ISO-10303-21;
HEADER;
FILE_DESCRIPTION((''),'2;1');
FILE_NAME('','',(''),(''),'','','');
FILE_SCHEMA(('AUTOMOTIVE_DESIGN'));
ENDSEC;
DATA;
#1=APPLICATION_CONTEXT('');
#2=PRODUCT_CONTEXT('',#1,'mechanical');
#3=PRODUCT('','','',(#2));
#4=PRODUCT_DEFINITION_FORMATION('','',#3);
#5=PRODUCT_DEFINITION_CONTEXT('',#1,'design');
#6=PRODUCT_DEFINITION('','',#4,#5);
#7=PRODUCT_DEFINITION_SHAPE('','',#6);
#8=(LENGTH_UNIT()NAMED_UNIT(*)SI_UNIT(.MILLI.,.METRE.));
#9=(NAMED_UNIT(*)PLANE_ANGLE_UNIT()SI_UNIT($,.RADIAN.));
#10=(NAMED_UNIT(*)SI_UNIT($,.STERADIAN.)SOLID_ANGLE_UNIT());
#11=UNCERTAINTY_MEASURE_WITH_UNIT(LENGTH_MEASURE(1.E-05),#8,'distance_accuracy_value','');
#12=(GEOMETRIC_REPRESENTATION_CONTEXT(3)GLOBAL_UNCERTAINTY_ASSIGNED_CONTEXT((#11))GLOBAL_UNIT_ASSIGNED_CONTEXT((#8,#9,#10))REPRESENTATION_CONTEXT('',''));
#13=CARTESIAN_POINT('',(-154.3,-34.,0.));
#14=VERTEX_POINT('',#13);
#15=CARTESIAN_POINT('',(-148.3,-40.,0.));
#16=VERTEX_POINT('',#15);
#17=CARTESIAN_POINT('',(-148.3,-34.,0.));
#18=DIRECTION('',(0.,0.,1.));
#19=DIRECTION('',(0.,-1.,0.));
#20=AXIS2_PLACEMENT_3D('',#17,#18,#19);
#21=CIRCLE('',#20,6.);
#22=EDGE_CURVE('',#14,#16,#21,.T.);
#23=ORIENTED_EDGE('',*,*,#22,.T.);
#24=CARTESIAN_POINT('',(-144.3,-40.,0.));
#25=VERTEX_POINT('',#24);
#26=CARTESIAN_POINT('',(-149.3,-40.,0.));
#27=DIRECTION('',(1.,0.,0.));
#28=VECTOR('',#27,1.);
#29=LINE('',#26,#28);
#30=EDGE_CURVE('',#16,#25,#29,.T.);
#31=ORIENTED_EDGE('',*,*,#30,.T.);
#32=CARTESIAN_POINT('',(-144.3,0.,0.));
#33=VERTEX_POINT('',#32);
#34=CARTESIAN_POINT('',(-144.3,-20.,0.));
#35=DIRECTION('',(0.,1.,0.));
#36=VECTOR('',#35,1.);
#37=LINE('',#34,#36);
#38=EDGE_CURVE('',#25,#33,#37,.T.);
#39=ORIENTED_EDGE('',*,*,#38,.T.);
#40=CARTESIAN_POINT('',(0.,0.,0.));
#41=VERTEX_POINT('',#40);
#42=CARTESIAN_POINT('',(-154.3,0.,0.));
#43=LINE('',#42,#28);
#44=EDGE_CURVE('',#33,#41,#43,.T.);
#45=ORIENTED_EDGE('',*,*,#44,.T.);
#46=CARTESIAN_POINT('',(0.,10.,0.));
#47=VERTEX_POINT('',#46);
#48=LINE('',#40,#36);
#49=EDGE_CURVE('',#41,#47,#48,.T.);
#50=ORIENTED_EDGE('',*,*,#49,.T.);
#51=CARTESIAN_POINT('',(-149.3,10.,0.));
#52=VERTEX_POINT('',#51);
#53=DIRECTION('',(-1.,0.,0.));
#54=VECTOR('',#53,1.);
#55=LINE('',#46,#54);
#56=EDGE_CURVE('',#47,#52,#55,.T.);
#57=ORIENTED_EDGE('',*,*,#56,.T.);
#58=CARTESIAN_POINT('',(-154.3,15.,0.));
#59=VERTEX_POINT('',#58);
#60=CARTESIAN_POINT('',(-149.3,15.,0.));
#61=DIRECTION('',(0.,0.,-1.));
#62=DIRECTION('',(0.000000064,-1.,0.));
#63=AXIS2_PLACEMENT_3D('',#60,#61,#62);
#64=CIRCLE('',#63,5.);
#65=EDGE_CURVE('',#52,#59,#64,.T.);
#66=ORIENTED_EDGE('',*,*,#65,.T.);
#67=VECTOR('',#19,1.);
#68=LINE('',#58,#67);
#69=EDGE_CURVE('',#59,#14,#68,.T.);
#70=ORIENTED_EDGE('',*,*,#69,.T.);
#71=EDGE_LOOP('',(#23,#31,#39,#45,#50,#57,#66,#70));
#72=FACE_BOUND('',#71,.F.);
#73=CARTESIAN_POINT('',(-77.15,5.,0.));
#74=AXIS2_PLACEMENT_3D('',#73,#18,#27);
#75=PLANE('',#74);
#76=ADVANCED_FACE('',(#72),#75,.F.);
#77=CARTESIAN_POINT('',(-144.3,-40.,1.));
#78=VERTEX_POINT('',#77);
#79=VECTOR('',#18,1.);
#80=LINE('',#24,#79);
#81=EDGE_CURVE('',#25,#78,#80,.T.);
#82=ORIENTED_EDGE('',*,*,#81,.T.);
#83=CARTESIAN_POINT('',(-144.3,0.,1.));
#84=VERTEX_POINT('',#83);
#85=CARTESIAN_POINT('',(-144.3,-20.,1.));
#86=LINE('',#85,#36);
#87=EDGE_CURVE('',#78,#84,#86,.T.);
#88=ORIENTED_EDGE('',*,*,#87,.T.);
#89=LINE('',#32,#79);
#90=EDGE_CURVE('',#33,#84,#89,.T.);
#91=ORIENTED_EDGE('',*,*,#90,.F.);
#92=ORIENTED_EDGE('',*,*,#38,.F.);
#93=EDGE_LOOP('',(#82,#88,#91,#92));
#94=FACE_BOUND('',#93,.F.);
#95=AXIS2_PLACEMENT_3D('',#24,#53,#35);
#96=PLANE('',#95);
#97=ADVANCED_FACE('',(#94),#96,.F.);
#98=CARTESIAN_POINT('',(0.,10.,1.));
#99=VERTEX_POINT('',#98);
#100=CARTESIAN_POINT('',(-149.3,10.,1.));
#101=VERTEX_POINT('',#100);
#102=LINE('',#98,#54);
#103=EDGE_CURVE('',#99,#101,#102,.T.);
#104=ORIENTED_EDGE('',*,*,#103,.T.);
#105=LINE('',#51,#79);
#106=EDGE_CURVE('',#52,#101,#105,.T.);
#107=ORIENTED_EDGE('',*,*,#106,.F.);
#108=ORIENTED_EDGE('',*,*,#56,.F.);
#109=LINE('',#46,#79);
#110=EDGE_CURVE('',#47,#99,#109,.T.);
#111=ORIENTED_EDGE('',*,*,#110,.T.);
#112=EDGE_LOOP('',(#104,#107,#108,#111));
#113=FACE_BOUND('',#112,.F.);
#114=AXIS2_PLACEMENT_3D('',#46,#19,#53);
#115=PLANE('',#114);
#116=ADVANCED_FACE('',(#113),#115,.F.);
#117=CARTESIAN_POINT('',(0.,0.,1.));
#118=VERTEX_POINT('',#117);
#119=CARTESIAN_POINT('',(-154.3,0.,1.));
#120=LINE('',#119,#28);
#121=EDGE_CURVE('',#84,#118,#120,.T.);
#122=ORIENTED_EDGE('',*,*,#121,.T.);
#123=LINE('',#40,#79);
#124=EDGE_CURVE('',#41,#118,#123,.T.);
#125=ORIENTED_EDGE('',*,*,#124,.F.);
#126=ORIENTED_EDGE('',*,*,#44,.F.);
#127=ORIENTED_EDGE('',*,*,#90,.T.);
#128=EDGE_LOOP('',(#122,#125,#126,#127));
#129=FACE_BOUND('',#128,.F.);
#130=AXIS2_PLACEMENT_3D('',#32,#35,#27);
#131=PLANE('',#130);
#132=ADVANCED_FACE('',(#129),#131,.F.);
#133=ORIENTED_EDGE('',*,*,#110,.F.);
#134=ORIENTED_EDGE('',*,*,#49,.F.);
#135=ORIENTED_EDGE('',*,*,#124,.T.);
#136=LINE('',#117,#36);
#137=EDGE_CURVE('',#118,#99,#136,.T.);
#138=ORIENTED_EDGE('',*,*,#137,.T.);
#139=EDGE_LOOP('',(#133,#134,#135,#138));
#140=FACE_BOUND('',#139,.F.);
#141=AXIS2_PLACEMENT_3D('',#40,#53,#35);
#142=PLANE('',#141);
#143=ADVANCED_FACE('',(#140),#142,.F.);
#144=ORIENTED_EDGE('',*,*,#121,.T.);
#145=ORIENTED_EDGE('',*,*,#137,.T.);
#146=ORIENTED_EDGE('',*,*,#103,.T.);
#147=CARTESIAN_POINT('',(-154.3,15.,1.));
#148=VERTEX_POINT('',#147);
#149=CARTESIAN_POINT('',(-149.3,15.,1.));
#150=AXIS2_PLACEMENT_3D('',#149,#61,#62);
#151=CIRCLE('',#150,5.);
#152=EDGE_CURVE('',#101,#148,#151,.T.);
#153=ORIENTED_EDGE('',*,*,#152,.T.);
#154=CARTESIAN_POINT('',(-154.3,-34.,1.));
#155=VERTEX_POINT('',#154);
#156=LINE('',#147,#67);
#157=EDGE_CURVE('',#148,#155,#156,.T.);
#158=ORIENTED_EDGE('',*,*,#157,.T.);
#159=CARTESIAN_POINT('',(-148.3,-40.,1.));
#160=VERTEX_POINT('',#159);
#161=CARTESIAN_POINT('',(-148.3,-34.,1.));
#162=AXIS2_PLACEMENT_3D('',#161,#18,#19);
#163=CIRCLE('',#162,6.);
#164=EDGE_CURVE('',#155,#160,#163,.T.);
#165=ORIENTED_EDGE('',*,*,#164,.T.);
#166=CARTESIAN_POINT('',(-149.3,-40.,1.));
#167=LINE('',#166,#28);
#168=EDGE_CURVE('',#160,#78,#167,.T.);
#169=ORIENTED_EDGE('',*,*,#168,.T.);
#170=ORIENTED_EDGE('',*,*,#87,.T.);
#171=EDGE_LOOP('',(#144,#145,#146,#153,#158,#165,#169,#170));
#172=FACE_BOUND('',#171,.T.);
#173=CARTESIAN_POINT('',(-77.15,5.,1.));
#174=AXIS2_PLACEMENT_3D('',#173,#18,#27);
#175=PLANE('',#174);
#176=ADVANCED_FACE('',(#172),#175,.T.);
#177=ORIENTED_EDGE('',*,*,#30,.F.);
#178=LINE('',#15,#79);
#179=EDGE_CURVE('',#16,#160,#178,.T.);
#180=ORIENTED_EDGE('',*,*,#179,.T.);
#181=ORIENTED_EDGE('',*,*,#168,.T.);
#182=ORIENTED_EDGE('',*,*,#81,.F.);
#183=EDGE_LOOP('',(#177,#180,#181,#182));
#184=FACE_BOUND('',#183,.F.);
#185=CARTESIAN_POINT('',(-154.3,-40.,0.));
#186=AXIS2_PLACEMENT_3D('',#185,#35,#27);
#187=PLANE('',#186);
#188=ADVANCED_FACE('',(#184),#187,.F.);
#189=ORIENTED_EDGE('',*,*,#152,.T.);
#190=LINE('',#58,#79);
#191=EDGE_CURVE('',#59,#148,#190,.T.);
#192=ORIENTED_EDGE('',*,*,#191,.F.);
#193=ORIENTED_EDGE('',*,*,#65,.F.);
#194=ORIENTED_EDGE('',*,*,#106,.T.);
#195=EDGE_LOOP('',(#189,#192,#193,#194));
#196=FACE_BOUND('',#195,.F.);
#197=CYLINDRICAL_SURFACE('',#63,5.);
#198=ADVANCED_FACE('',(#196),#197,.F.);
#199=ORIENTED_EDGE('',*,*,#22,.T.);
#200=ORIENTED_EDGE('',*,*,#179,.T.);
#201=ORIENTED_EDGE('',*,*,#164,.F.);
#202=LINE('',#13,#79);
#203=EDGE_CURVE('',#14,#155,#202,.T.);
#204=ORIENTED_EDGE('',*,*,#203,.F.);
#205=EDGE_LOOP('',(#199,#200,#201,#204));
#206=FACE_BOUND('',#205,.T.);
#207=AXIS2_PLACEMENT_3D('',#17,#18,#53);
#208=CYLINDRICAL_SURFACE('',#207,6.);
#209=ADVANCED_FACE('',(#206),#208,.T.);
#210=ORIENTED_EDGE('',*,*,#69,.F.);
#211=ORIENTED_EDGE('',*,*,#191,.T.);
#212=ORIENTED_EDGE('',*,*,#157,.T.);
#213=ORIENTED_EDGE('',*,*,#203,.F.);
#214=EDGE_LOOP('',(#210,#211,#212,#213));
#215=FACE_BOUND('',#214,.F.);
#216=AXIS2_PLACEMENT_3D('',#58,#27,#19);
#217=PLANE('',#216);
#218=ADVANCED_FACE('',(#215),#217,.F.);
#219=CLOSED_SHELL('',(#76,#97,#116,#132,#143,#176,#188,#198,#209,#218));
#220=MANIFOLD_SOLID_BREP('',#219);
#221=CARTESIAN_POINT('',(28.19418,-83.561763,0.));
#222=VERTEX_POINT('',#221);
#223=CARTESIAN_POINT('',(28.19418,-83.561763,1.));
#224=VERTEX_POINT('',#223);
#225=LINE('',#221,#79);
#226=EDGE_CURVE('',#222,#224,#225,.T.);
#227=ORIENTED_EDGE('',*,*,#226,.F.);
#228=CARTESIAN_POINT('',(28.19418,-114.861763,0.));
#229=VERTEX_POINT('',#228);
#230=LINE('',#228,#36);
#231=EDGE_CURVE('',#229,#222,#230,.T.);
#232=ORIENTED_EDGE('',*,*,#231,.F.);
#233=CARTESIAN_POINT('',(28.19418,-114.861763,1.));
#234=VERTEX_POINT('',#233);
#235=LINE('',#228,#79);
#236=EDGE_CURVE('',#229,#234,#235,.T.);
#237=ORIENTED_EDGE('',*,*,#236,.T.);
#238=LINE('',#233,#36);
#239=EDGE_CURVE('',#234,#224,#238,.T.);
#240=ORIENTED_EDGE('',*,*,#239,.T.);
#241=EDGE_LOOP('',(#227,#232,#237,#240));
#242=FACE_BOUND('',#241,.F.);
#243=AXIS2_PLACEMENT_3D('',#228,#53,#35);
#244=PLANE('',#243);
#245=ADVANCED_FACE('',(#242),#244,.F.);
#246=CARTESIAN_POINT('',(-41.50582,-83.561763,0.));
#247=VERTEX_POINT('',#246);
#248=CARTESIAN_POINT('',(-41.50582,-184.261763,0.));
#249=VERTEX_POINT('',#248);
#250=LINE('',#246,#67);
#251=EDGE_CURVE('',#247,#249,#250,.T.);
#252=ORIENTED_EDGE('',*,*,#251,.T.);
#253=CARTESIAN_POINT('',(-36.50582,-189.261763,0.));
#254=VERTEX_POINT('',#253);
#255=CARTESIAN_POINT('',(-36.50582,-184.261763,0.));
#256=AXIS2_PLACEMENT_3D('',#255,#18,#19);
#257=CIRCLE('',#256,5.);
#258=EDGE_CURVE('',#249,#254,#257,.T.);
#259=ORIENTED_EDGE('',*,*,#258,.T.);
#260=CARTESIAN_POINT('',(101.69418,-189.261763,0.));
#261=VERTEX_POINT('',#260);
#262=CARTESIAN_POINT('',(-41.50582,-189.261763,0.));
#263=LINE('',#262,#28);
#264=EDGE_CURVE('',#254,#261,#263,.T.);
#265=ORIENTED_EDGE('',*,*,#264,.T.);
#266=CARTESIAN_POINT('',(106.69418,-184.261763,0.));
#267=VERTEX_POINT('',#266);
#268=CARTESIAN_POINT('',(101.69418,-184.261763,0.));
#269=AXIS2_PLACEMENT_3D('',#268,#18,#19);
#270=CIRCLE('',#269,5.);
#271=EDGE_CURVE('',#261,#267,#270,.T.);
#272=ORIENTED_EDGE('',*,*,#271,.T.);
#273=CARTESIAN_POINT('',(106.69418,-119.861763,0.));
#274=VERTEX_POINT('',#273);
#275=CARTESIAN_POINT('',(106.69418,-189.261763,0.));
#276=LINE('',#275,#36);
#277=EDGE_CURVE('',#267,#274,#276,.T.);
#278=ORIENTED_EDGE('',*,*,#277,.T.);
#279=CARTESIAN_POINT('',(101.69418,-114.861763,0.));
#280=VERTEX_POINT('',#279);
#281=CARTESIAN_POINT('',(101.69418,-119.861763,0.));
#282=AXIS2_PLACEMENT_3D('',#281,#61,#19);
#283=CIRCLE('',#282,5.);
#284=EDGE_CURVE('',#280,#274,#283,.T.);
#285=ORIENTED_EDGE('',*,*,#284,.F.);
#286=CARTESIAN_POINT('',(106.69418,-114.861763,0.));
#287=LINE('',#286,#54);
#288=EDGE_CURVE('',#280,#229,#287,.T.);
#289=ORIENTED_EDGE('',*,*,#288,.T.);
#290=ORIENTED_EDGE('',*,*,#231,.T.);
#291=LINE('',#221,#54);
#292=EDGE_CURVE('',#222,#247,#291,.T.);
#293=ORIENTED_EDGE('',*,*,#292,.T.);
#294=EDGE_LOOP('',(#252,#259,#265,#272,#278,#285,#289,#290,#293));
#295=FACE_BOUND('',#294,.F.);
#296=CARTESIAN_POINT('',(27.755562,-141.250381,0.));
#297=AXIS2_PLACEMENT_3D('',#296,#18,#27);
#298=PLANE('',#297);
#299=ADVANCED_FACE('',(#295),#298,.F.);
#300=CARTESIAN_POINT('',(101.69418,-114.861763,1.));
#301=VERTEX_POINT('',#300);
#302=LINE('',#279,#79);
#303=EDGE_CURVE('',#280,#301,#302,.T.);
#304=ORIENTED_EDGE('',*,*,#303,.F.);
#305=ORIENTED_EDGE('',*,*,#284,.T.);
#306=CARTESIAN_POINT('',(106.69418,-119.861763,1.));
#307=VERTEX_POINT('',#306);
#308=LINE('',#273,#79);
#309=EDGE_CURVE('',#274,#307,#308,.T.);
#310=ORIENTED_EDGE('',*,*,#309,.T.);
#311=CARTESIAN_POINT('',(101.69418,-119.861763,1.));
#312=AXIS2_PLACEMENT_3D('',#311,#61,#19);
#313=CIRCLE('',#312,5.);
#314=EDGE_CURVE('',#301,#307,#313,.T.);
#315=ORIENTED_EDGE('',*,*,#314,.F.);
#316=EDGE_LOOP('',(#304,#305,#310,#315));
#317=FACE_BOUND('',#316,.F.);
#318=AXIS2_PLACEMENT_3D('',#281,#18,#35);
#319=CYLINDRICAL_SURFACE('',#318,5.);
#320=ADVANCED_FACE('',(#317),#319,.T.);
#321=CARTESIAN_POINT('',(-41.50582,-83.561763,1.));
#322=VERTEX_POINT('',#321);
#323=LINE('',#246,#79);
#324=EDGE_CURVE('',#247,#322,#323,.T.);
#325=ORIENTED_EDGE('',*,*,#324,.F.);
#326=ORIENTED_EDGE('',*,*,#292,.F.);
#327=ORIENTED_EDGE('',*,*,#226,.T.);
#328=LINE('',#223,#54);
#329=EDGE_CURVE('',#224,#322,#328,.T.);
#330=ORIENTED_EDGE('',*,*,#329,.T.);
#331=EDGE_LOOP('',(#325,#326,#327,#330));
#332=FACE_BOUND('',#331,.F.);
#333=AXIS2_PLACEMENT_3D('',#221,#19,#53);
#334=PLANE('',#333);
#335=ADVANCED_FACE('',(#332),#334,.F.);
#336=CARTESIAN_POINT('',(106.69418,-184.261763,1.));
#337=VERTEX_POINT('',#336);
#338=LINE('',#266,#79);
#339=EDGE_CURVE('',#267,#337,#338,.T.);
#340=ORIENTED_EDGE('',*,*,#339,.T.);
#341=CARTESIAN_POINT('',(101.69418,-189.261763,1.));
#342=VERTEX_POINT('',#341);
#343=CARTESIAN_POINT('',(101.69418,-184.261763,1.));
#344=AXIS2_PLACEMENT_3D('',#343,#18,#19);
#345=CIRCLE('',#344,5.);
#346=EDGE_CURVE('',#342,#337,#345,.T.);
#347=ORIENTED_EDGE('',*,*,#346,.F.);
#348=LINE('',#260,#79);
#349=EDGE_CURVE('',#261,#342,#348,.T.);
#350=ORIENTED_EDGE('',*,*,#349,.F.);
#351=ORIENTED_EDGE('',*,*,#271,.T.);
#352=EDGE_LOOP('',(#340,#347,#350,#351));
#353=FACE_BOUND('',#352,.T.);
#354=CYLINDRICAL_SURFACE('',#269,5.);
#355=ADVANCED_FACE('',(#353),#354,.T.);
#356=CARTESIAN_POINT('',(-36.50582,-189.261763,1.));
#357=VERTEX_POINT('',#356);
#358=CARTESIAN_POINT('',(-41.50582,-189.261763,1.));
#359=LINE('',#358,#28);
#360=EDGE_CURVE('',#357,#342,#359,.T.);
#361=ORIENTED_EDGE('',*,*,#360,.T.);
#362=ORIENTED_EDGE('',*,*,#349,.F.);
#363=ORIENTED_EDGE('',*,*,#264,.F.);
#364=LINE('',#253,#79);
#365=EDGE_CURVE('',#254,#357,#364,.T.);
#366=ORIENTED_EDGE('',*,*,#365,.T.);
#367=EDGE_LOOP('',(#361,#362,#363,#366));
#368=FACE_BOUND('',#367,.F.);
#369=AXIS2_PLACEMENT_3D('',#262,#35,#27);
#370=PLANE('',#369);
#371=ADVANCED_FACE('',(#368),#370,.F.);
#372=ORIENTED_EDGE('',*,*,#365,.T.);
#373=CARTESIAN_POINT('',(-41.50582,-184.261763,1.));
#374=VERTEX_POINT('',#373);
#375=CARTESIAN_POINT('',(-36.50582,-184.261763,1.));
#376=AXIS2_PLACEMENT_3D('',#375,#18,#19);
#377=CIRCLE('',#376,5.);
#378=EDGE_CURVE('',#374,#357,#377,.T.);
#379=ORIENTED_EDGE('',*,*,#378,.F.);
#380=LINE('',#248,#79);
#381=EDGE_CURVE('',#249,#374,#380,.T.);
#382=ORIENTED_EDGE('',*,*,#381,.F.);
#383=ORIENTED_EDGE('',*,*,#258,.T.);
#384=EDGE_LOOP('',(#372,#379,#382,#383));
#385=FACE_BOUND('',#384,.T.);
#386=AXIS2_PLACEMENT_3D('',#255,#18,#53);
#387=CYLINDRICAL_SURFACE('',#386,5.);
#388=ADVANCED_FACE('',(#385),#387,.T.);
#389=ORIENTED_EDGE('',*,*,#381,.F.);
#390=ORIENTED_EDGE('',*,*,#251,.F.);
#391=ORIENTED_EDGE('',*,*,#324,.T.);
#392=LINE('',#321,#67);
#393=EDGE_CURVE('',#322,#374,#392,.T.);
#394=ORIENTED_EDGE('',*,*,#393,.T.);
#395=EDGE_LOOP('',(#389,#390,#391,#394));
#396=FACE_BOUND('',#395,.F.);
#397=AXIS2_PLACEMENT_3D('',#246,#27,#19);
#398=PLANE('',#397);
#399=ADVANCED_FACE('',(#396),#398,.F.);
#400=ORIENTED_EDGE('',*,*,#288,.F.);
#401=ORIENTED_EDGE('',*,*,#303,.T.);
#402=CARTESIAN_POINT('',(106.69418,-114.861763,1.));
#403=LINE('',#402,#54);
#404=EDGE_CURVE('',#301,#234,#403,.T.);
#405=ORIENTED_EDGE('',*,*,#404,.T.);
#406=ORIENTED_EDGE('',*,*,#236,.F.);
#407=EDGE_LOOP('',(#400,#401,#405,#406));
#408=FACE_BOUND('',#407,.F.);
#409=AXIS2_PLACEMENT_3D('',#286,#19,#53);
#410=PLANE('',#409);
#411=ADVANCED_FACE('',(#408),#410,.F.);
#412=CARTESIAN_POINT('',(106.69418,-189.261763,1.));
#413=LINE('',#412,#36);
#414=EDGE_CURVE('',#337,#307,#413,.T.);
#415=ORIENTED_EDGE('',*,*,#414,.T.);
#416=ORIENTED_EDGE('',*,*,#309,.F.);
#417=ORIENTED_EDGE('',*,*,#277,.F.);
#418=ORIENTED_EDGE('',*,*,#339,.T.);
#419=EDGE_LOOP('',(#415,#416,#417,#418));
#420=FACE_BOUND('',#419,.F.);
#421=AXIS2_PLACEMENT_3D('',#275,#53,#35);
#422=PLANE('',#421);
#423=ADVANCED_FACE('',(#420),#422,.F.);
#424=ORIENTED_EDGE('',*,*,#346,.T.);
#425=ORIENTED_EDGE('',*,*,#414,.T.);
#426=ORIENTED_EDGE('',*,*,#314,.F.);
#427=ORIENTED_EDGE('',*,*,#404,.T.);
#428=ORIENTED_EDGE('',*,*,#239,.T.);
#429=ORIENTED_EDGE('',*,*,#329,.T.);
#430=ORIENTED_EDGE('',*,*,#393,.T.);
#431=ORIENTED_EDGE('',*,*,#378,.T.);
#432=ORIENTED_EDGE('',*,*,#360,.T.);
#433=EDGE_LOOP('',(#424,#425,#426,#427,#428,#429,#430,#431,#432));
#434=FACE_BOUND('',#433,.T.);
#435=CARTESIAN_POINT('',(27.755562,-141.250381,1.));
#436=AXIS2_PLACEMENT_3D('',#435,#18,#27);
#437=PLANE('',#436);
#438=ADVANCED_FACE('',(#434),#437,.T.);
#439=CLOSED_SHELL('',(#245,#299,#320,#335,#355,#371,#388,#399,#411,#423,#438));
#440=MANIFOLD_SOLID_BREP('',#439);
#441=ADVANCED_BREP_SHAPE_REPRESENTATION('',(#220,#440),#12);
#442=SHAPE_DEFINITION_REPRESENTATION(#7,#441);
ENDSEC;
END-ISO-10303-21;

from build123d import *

# Parameters (mm, degrees)
F0_W     = 10
F0_H     = 40
F1_DEPTH = 1
F2_DEPTH = 1
F3_R     = 5
F4_R     = 6


with BuildPart() as f1:
    # F0 (on Top) → F1 (new body)
    with BuildSketch(Plane.XY):
        Polygon((-149.3, 10), (-154.3, 10), (-154.3, 0), (-144.3, 0), (0, 0), (0, 10), align=None)
        with BuildLine():
            Line((-154.3, 15), (-154.3, 10))
            Line((-154.3, 10), (-149.3, 10))
            ThreePointArc((-149.3, 10), (-152.835534, 11.464466), (-154.3, 15))
        make_face()
        with Locations((-149.3, -20)):
            Rectangle(F0_W, F0_H)
    extrude(amount=F1_DEPTH)

    # F4
    f4_edges = [f1.edges().sort_by_distance(p)[0] for p in [
        (-154.3, -40, 0.5),
    ]]
    fillet(f4_edges, radius=F4_R)


with BuildPart() as f2:
    # F0 (on Top) → F2 (new body)
    with BuildSketch(Plane.XY):
        Polygon((106.69418, -114.861763), (28.19418, -114.861763), (28.19418, -83.561763), (-41.50582, -83.561763), (-41.50582, -189.261763), (106.69418, -189.261763), align=None)
    extrude(amount=F2_DEPTH)

    # F3
    f3_edges = [f2.edges().sort_by_distance(p)[0] for p in [
        (-41.50582, -189.261763, 0.5),
        (106.69418, -189.261763, 0.5),
        (106.69418, -114.861763, 0.5),
    ]]
    fillet(f3_edges, radius=F3_R)


solid = Compound([f1.part, f2.part])
